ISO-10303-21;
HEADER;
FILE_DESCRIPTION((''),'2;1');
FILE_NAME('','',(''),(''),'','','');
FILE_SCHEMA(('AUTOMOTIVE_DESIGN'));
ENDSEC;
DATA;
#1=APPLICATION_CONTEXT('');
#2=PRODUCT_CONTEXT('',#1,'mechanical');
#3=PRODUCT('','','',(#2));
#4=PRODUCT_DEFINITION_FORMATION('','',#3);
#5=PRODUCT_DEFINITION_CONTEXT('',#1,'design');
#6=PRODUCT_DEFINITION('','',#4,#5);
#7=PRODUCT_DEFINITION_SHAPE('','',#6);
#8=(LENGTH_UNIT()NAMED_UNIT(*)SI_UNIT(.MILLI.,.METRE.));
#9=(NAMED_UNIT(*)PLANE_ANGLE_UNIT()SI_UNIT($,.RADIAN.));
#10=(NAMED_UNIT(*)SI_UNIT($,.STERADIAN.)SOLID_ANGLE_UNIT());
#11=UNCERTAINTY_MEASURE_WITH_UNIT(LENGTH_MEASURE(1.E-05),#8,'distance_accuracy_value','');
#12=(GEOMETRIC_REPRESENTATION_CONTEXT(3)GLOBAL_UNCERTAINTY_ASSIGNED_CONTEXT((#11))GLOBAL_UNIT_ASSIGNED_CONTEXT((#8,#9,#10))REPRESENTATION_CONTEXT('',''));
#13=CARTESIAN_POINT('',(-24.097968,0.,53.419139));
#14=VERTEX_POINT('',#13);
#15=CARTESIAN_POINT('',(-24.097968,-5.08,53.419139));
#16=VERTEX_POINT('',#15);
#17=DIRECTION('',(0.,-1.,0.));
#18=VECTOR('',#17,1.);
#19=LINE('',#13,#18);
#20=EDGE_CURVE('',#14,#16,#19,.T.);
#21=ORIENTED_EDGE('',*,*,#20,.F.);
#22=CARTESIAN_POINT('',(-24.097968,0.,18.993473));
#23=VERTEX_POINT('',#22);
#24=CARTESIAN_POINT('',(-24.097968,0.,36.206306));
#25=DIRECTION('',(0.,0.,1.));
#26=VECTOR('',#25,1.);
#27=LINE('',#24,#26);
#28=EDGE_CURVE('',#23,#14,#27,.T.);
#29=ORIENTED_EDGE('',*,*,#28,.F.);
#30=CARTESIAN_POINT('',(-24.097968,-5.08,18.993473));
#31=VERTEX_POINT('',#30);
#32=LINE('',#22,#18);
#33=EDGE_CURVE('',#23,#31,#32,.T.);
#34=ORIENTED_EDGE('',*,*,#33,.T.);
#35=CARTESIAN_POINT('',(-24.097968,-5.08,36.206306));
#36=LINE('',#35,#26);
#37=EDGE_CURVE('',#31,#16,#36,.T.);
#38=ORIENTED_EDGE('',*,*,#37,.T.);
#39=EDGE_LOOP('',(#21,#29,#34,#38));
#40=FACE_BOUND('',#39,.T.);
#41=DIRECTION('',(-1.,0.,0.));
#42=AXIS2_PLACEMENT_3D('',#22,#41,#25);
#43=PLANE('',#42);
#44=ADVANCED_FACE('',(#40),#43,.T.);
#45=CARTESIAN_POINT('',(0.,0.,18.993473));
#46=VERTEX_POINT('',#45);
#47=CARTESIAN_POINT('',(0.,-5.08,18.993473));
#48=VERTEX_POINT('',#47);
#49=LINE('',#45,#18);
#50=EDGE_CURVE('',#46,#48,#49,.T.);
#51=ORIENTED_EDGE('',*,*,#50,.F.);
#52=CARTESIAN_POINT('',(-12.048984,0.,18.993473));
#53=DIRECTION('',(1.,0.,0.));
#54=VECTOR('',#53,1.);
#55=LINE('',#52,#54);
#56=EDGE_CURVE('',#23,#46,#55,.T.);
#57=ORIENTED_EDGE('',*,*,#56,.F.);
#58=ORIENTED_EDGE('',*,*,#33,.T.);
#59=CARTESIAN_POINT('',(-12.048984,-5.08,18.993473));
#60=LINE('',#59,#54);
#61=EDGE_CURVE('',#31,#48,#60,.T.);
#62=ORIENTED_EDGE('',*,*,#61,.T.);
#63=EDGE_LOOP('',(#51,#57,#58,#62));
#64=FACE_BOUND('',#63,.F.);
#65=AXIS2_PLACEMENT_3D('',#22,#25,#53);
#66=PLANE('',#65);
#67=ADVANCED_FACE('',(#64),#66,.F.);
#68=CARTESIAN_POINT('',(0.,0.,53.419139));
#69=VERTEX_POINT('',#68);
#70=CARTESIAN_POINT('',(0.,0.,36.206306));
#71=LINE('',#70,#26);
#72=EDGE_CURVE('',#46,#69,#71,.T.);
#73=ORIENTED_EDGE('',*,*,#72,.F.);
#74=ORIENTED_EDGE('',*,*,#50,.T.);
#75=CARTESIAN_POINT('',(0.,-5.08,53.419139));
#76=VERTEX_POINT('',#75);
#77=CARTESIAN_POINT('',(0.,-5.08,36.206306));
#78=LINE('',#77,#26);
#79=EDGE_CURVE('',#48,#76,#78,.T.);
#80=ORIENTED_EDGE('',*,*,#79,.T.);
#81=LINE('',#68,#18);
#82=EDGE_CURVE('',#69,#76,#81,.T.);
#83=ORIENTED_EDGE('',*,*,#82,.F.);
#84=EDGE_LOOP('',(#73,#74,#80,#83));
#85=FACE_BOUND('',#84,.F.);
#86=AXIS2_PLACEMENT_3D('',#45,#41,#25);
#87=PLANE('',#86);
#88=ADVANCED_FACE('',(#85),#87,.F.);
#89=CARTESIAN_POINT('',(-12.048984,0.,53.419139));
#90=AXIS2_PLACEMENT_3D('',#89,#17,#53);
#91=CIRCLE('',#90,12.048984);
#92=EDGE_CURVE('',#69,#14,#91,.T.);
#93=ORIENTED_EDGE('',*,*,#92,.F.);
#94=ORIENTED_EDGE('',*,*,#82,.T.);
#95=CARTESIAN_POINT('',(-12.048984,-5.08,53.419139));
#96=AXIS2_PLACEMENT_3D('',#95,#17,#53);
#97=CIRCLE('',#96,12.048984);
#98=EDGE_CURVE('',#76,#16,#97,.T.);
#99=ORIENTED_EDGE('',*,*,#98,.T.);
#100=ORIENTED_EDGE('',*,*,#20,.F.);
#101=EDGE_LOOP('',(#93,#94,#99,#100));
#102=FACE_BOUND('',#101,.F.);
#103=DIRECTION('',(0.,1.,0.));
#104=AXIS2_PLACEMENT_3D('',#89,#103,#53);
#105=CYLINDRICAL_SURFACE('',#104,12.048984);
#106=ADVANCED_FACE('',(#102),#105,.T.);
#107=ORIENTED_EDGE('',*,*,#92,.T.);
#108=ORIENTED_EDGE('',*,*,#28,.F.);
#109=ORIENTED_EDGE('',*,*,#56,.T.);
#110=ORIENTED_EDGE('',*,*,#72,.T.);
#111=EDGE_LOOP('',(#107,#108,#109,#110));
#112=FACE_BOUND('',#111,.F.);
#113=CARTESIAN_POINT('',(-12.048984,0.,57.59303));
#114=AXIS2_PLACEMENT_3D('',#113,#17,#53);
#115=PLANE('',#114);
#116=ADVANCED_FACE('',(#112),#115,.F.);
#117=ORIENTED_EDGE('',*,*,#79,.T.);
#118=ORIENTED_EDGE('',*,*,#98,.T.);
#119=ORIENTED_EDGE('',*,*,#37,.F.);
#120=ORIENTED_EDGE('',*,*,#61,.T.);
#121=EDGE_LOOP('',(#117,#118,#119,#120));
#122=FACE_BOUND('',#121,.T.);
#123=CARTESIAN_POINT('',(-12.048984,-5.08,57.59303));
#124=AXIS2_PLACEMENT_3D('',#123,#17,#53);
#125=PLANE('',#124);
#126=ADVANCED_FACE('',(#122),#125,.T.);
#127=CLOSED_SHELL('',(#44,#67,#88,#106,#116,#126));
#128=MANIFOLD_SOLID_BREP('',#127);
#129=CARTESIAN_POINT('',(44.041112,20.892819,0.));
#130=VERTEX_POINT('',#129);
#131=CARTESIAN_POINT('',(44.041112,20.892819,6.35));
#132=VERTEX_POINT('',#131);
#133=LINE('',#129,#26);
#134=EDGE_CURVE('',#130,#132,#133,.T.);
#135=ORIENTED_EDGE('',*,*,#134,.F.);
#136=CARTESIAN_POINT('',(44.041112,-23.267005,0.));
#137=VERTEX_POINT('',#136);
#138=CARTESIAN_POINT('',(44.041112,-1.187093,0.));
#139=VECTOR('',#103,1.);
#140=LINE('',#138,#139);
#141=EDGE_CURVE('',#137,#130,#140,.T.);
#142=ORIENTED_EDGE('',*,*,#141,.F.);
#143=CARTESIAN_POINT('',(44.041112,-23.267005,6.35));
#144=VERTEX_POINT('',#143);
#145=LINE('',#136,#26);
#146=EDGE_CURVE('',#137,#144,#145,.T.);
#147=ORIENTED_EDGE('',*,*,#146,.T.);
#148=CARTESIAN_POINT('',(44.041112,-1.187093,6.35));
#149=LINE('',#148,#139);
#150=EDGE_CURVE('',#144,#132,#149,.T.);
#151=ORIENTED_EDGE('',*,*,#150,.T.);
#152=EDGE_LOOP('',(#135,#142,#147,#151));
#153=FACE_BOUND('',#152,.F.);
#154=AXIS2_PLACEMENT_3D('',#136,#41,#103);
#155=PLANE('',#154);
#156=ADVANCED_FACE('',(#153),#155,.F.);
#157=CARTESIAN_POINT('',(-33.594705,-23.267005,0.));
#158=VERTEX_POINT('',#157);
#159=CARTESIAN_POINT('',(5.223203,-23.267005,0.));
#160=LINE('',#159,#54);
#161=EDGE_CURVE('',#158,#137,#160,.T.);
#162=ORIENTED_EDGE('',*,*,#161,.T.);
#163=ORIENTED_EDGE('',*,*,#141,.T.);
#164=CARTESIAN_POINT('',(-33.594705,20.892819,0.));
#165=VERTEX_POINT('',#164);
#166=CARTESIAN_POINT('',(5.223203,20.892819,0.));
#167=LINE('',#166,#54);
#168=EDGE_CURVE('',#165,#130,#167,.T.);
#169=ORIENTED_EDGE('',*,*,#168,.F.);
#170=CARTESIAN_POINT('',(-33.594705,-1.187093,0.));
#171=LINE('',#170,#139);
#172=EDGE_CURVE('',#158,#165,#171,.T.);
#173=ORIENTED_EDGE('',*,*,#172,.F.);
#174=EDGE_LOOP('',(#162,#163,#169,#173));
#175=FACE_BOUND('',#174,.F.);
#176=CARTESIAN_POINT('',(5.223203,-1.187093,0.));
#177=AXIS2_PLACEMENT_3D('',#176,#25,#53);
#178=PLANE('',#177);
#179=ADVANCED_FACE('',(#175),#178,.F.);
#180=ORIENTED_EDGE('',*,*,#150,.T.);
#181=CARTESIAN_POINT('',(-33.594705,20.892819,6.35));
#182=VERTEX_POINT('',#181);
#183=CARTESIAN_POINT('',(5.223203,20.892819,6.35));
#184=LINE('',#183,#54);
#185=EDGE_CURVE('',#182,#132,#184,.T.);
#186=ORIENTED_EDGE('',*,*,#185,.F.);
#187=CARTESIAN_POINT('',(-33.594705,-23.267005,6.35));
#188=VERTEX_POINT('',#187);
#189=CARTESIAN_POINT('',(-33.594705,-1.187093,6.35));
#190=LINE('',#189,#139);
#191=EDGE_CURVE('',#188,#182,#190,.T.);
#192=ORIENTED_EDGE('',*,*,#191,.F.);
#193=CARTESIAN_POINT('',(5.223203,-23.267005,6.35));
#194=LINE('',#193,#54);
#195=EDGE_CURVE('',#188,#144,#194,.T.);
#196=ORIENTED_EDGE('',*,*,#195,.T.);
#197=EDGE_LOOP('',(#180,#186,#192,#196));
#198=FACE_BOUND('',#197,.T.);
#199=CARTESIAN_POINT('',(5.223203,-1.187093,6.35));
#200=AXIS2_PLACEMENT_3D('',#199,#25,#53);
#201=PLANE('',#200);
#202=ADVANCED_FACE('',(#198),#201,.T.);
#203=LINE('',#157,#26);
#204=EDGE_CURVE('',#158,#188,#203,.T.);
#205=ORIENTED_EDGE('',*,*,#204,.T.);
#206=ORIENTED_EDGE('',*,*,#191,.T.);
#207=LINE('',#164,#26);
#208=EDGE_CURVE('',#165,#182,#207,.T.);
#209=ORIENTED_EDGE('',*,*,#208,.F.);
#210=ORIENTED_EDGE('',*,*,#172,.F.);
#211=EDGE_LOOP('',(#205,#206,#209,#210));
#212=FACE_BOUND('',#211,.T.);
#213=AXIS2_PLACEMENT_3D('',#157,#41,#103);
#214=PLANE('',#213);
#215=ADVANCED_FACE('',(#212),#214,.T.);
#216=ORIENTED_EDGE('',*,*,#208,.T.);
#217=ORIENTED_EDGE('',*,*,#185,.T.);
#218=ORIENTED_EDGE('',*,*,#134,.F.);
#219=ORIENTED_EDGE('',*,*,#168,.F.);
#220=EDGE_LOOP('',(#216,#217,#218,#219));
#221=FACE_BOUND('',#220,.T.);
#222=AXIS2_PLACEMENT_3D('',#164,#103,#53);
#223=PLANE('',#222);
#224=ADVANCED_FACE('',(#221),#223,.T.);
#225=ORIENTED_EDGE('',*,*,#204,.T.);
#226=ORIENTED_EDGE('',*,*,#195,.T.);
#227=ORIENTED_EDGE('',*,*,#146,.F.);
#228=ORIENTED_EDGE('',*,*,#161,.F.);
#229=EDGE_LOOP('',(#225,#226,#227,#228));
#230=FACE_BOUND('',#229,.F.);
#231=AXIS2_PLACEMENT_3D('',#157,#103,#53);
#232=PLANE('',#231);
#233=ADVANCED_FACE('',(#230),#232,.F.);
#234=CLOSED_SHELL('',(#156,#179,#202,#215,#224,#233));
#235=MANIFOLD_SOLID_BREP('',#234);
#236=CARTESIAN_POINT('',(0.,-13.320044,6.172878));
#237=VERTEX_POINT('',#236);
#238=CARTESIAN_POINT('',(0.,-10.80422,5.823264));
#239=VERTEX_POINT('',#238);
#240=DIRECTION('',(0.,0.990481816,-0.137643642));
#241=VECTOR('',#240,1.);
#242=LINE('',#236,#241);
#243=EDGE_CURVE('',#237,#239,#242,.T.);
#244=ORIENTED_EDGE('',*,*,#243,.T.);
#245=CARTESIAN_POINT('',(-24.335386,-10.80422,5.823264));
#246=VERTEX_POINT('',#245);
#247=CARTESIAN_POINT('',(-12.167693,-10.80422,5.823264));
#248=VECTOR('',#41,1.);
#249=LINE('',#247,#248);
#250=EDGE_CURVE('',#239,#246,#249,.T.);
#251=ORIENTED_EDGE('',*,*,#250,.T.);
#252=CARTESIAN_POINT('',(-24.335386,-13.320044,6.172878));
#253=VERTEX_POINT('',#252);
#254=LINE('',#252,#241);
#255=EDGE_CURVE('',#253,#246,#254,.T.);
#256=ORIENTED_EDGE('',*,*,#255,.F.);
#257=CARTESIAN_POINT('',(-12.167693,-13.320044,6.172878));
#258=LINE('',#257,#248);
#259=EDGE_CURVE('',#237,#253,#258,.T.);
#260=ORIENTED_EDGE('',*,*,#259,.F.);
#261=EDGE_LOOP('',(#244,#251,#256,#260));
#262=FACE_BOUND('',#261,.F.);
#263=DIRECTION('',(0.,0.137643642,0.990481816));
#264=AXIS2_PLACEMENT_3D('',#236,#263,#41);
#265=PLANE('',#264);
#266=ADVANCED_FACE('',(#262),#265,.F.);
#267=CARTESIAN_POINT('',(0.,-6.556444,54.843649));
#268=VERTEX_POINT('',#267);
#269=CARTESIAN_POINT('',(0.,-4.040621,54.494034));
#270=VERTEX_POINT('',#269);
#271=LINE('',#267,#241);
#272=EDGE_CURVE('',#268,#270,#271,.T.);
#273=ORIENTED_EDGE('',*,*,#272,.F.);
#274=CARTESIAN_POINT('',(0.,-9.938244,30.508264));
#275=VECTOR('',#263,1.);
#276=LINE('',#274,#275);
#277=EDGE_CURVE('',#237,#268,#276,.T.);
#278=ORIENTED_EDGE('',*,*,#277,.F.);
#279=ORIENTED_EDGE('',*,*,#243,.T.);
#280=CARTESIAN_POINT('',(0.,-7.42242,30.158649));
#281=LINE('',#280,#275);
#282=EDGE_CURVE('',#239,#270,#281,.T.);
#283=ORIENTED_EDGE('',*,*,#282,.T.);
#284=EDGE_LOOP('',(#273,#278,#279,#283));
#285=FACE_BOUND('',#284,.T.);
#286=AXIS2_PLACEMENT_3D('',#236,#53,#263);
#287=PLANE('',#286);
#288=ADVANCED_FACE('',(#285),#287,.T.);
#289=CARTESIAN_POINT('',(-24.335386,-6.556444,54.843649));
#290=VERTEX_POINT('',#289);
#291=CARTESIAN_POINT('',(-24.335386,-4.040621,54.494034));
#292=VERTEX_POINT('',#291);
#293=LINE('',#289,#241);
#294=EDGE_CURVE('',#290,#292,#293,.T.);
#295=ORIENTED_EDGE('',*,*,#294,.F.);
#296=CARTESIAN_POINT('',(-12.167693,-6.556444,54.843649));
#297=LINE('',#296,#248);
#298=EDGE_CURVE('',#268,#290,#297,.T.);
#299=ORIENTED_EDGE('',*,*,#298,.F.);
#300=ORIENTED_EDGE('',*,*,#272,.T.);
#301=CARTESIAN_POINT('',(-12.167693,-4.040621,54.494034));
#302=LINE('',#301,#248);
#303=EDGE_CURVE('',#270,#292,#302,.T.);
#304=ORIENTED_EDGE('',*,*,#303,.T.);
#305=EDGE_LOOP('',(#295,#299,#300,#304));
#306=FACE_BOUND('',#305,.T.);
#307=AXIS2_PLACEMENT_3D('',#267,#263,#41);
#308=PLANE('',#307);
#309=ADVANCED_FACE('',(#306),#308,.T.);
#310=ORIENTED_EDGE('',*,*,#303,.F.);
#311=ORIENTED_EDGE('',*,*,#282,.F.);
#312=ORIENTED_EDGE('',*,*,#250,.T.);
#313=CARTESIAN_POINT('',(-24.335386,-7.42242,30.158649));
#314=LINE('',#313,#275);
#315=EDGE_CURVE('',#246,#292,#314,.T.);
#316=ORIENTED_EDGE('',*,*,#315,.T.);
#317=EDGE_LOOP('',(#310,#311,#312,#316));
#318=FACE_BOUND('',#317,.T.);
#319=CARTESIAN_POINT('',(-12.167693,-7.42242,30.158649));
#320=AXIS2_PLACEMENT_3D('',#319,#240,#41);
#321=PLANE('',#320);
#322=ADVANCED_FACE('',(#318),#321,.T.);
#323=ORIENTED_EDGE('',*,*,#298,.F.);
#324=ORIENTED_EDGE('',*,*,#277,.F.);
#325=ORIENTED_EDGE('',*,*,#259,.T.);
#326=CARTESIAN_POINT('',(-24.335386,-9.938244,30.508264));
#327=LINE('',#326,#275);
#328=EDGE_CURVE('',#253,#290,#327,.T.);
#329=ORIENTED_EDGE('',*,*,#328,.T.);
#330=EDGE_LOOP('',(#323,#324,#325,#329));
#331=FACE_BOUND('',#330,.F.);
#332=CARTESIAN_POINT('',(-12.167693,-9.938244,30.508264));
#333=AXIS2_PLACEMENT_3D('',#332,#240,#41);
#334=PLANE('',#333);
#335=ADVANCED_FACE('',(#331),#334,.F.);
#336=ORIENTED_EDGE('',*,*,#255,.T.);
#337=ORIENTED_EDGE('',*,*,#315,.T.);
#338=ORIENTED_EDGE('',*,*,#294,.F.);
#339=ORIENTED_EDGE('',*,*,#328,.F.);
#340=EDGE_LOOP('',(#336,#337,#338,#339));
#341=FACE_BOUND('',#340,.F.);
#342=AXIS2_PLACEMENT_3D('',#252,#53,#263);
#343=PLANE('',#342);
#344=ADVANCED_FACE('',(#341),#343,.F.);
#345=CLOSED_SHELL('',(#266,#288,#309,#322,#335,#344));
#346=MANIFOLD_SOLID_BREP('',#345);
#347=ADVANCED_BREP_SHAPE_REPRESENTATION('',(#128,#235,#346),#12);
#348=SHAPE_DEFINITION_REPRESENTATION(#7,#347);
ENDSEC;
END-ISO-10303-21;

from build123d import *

# Parameters (mm, degrees)
F0_W      = 77.6358172297
F0_H      = 44.1598240286
F1_DEPTH  = 6.35
F2_W      = 24.0979678929
F2_H      = 34.4256665558
F3_DEPTH  = 5.08
F13_W     = 24.3353862315
F13_H     = 49.1384794004
F14_DEPTH = 2.54


with BuildPart() as f1:
    # F0 (on Top) → F1 (new body)
    with BuildSketch(Plane.XY):
        with Locations((5.2232034504, -1.1870926246)):
            Rectangle(F0_W, F0_H)
    extrude(amount=F1_DEPTH)


with BuildPart() as f3:
    # F2 (on Front) → F3 (new body)
    with BuildSketch(Plane.XZ):
        with BuildLine():
            ThreePointArc((0, 53.4191392362), (-12.0489839464, 65.4681231827), (-24.0979678929, 53.4191392362))
            Line((-24.0979678929, 53.4191392362), (0, 53.4191392362))
        make_face()
        with Locations((-12.0489839464, 36.2063059583)):
            Rectangle(F2_W, F2_H)
    extrude(amount=F3_DEPTH)


with BuildPart() as f14:
    # F13 (on 3pt) → F14 (new body)
    with BuildSketch(Plane(origin=(0, -13.9092554561, 1.9329184528), x_dir=(-1, 0, 0), z_dir=(0, 0.990481816, -0.1376436421))):
        with Locations((12.1676931158, 28.8499442395)):
            Rectangle(F13_W, F13_H)
    extrude(amount=F14_DEPTH)


solid = Compound([f1.part, f3.part, f14.part])
